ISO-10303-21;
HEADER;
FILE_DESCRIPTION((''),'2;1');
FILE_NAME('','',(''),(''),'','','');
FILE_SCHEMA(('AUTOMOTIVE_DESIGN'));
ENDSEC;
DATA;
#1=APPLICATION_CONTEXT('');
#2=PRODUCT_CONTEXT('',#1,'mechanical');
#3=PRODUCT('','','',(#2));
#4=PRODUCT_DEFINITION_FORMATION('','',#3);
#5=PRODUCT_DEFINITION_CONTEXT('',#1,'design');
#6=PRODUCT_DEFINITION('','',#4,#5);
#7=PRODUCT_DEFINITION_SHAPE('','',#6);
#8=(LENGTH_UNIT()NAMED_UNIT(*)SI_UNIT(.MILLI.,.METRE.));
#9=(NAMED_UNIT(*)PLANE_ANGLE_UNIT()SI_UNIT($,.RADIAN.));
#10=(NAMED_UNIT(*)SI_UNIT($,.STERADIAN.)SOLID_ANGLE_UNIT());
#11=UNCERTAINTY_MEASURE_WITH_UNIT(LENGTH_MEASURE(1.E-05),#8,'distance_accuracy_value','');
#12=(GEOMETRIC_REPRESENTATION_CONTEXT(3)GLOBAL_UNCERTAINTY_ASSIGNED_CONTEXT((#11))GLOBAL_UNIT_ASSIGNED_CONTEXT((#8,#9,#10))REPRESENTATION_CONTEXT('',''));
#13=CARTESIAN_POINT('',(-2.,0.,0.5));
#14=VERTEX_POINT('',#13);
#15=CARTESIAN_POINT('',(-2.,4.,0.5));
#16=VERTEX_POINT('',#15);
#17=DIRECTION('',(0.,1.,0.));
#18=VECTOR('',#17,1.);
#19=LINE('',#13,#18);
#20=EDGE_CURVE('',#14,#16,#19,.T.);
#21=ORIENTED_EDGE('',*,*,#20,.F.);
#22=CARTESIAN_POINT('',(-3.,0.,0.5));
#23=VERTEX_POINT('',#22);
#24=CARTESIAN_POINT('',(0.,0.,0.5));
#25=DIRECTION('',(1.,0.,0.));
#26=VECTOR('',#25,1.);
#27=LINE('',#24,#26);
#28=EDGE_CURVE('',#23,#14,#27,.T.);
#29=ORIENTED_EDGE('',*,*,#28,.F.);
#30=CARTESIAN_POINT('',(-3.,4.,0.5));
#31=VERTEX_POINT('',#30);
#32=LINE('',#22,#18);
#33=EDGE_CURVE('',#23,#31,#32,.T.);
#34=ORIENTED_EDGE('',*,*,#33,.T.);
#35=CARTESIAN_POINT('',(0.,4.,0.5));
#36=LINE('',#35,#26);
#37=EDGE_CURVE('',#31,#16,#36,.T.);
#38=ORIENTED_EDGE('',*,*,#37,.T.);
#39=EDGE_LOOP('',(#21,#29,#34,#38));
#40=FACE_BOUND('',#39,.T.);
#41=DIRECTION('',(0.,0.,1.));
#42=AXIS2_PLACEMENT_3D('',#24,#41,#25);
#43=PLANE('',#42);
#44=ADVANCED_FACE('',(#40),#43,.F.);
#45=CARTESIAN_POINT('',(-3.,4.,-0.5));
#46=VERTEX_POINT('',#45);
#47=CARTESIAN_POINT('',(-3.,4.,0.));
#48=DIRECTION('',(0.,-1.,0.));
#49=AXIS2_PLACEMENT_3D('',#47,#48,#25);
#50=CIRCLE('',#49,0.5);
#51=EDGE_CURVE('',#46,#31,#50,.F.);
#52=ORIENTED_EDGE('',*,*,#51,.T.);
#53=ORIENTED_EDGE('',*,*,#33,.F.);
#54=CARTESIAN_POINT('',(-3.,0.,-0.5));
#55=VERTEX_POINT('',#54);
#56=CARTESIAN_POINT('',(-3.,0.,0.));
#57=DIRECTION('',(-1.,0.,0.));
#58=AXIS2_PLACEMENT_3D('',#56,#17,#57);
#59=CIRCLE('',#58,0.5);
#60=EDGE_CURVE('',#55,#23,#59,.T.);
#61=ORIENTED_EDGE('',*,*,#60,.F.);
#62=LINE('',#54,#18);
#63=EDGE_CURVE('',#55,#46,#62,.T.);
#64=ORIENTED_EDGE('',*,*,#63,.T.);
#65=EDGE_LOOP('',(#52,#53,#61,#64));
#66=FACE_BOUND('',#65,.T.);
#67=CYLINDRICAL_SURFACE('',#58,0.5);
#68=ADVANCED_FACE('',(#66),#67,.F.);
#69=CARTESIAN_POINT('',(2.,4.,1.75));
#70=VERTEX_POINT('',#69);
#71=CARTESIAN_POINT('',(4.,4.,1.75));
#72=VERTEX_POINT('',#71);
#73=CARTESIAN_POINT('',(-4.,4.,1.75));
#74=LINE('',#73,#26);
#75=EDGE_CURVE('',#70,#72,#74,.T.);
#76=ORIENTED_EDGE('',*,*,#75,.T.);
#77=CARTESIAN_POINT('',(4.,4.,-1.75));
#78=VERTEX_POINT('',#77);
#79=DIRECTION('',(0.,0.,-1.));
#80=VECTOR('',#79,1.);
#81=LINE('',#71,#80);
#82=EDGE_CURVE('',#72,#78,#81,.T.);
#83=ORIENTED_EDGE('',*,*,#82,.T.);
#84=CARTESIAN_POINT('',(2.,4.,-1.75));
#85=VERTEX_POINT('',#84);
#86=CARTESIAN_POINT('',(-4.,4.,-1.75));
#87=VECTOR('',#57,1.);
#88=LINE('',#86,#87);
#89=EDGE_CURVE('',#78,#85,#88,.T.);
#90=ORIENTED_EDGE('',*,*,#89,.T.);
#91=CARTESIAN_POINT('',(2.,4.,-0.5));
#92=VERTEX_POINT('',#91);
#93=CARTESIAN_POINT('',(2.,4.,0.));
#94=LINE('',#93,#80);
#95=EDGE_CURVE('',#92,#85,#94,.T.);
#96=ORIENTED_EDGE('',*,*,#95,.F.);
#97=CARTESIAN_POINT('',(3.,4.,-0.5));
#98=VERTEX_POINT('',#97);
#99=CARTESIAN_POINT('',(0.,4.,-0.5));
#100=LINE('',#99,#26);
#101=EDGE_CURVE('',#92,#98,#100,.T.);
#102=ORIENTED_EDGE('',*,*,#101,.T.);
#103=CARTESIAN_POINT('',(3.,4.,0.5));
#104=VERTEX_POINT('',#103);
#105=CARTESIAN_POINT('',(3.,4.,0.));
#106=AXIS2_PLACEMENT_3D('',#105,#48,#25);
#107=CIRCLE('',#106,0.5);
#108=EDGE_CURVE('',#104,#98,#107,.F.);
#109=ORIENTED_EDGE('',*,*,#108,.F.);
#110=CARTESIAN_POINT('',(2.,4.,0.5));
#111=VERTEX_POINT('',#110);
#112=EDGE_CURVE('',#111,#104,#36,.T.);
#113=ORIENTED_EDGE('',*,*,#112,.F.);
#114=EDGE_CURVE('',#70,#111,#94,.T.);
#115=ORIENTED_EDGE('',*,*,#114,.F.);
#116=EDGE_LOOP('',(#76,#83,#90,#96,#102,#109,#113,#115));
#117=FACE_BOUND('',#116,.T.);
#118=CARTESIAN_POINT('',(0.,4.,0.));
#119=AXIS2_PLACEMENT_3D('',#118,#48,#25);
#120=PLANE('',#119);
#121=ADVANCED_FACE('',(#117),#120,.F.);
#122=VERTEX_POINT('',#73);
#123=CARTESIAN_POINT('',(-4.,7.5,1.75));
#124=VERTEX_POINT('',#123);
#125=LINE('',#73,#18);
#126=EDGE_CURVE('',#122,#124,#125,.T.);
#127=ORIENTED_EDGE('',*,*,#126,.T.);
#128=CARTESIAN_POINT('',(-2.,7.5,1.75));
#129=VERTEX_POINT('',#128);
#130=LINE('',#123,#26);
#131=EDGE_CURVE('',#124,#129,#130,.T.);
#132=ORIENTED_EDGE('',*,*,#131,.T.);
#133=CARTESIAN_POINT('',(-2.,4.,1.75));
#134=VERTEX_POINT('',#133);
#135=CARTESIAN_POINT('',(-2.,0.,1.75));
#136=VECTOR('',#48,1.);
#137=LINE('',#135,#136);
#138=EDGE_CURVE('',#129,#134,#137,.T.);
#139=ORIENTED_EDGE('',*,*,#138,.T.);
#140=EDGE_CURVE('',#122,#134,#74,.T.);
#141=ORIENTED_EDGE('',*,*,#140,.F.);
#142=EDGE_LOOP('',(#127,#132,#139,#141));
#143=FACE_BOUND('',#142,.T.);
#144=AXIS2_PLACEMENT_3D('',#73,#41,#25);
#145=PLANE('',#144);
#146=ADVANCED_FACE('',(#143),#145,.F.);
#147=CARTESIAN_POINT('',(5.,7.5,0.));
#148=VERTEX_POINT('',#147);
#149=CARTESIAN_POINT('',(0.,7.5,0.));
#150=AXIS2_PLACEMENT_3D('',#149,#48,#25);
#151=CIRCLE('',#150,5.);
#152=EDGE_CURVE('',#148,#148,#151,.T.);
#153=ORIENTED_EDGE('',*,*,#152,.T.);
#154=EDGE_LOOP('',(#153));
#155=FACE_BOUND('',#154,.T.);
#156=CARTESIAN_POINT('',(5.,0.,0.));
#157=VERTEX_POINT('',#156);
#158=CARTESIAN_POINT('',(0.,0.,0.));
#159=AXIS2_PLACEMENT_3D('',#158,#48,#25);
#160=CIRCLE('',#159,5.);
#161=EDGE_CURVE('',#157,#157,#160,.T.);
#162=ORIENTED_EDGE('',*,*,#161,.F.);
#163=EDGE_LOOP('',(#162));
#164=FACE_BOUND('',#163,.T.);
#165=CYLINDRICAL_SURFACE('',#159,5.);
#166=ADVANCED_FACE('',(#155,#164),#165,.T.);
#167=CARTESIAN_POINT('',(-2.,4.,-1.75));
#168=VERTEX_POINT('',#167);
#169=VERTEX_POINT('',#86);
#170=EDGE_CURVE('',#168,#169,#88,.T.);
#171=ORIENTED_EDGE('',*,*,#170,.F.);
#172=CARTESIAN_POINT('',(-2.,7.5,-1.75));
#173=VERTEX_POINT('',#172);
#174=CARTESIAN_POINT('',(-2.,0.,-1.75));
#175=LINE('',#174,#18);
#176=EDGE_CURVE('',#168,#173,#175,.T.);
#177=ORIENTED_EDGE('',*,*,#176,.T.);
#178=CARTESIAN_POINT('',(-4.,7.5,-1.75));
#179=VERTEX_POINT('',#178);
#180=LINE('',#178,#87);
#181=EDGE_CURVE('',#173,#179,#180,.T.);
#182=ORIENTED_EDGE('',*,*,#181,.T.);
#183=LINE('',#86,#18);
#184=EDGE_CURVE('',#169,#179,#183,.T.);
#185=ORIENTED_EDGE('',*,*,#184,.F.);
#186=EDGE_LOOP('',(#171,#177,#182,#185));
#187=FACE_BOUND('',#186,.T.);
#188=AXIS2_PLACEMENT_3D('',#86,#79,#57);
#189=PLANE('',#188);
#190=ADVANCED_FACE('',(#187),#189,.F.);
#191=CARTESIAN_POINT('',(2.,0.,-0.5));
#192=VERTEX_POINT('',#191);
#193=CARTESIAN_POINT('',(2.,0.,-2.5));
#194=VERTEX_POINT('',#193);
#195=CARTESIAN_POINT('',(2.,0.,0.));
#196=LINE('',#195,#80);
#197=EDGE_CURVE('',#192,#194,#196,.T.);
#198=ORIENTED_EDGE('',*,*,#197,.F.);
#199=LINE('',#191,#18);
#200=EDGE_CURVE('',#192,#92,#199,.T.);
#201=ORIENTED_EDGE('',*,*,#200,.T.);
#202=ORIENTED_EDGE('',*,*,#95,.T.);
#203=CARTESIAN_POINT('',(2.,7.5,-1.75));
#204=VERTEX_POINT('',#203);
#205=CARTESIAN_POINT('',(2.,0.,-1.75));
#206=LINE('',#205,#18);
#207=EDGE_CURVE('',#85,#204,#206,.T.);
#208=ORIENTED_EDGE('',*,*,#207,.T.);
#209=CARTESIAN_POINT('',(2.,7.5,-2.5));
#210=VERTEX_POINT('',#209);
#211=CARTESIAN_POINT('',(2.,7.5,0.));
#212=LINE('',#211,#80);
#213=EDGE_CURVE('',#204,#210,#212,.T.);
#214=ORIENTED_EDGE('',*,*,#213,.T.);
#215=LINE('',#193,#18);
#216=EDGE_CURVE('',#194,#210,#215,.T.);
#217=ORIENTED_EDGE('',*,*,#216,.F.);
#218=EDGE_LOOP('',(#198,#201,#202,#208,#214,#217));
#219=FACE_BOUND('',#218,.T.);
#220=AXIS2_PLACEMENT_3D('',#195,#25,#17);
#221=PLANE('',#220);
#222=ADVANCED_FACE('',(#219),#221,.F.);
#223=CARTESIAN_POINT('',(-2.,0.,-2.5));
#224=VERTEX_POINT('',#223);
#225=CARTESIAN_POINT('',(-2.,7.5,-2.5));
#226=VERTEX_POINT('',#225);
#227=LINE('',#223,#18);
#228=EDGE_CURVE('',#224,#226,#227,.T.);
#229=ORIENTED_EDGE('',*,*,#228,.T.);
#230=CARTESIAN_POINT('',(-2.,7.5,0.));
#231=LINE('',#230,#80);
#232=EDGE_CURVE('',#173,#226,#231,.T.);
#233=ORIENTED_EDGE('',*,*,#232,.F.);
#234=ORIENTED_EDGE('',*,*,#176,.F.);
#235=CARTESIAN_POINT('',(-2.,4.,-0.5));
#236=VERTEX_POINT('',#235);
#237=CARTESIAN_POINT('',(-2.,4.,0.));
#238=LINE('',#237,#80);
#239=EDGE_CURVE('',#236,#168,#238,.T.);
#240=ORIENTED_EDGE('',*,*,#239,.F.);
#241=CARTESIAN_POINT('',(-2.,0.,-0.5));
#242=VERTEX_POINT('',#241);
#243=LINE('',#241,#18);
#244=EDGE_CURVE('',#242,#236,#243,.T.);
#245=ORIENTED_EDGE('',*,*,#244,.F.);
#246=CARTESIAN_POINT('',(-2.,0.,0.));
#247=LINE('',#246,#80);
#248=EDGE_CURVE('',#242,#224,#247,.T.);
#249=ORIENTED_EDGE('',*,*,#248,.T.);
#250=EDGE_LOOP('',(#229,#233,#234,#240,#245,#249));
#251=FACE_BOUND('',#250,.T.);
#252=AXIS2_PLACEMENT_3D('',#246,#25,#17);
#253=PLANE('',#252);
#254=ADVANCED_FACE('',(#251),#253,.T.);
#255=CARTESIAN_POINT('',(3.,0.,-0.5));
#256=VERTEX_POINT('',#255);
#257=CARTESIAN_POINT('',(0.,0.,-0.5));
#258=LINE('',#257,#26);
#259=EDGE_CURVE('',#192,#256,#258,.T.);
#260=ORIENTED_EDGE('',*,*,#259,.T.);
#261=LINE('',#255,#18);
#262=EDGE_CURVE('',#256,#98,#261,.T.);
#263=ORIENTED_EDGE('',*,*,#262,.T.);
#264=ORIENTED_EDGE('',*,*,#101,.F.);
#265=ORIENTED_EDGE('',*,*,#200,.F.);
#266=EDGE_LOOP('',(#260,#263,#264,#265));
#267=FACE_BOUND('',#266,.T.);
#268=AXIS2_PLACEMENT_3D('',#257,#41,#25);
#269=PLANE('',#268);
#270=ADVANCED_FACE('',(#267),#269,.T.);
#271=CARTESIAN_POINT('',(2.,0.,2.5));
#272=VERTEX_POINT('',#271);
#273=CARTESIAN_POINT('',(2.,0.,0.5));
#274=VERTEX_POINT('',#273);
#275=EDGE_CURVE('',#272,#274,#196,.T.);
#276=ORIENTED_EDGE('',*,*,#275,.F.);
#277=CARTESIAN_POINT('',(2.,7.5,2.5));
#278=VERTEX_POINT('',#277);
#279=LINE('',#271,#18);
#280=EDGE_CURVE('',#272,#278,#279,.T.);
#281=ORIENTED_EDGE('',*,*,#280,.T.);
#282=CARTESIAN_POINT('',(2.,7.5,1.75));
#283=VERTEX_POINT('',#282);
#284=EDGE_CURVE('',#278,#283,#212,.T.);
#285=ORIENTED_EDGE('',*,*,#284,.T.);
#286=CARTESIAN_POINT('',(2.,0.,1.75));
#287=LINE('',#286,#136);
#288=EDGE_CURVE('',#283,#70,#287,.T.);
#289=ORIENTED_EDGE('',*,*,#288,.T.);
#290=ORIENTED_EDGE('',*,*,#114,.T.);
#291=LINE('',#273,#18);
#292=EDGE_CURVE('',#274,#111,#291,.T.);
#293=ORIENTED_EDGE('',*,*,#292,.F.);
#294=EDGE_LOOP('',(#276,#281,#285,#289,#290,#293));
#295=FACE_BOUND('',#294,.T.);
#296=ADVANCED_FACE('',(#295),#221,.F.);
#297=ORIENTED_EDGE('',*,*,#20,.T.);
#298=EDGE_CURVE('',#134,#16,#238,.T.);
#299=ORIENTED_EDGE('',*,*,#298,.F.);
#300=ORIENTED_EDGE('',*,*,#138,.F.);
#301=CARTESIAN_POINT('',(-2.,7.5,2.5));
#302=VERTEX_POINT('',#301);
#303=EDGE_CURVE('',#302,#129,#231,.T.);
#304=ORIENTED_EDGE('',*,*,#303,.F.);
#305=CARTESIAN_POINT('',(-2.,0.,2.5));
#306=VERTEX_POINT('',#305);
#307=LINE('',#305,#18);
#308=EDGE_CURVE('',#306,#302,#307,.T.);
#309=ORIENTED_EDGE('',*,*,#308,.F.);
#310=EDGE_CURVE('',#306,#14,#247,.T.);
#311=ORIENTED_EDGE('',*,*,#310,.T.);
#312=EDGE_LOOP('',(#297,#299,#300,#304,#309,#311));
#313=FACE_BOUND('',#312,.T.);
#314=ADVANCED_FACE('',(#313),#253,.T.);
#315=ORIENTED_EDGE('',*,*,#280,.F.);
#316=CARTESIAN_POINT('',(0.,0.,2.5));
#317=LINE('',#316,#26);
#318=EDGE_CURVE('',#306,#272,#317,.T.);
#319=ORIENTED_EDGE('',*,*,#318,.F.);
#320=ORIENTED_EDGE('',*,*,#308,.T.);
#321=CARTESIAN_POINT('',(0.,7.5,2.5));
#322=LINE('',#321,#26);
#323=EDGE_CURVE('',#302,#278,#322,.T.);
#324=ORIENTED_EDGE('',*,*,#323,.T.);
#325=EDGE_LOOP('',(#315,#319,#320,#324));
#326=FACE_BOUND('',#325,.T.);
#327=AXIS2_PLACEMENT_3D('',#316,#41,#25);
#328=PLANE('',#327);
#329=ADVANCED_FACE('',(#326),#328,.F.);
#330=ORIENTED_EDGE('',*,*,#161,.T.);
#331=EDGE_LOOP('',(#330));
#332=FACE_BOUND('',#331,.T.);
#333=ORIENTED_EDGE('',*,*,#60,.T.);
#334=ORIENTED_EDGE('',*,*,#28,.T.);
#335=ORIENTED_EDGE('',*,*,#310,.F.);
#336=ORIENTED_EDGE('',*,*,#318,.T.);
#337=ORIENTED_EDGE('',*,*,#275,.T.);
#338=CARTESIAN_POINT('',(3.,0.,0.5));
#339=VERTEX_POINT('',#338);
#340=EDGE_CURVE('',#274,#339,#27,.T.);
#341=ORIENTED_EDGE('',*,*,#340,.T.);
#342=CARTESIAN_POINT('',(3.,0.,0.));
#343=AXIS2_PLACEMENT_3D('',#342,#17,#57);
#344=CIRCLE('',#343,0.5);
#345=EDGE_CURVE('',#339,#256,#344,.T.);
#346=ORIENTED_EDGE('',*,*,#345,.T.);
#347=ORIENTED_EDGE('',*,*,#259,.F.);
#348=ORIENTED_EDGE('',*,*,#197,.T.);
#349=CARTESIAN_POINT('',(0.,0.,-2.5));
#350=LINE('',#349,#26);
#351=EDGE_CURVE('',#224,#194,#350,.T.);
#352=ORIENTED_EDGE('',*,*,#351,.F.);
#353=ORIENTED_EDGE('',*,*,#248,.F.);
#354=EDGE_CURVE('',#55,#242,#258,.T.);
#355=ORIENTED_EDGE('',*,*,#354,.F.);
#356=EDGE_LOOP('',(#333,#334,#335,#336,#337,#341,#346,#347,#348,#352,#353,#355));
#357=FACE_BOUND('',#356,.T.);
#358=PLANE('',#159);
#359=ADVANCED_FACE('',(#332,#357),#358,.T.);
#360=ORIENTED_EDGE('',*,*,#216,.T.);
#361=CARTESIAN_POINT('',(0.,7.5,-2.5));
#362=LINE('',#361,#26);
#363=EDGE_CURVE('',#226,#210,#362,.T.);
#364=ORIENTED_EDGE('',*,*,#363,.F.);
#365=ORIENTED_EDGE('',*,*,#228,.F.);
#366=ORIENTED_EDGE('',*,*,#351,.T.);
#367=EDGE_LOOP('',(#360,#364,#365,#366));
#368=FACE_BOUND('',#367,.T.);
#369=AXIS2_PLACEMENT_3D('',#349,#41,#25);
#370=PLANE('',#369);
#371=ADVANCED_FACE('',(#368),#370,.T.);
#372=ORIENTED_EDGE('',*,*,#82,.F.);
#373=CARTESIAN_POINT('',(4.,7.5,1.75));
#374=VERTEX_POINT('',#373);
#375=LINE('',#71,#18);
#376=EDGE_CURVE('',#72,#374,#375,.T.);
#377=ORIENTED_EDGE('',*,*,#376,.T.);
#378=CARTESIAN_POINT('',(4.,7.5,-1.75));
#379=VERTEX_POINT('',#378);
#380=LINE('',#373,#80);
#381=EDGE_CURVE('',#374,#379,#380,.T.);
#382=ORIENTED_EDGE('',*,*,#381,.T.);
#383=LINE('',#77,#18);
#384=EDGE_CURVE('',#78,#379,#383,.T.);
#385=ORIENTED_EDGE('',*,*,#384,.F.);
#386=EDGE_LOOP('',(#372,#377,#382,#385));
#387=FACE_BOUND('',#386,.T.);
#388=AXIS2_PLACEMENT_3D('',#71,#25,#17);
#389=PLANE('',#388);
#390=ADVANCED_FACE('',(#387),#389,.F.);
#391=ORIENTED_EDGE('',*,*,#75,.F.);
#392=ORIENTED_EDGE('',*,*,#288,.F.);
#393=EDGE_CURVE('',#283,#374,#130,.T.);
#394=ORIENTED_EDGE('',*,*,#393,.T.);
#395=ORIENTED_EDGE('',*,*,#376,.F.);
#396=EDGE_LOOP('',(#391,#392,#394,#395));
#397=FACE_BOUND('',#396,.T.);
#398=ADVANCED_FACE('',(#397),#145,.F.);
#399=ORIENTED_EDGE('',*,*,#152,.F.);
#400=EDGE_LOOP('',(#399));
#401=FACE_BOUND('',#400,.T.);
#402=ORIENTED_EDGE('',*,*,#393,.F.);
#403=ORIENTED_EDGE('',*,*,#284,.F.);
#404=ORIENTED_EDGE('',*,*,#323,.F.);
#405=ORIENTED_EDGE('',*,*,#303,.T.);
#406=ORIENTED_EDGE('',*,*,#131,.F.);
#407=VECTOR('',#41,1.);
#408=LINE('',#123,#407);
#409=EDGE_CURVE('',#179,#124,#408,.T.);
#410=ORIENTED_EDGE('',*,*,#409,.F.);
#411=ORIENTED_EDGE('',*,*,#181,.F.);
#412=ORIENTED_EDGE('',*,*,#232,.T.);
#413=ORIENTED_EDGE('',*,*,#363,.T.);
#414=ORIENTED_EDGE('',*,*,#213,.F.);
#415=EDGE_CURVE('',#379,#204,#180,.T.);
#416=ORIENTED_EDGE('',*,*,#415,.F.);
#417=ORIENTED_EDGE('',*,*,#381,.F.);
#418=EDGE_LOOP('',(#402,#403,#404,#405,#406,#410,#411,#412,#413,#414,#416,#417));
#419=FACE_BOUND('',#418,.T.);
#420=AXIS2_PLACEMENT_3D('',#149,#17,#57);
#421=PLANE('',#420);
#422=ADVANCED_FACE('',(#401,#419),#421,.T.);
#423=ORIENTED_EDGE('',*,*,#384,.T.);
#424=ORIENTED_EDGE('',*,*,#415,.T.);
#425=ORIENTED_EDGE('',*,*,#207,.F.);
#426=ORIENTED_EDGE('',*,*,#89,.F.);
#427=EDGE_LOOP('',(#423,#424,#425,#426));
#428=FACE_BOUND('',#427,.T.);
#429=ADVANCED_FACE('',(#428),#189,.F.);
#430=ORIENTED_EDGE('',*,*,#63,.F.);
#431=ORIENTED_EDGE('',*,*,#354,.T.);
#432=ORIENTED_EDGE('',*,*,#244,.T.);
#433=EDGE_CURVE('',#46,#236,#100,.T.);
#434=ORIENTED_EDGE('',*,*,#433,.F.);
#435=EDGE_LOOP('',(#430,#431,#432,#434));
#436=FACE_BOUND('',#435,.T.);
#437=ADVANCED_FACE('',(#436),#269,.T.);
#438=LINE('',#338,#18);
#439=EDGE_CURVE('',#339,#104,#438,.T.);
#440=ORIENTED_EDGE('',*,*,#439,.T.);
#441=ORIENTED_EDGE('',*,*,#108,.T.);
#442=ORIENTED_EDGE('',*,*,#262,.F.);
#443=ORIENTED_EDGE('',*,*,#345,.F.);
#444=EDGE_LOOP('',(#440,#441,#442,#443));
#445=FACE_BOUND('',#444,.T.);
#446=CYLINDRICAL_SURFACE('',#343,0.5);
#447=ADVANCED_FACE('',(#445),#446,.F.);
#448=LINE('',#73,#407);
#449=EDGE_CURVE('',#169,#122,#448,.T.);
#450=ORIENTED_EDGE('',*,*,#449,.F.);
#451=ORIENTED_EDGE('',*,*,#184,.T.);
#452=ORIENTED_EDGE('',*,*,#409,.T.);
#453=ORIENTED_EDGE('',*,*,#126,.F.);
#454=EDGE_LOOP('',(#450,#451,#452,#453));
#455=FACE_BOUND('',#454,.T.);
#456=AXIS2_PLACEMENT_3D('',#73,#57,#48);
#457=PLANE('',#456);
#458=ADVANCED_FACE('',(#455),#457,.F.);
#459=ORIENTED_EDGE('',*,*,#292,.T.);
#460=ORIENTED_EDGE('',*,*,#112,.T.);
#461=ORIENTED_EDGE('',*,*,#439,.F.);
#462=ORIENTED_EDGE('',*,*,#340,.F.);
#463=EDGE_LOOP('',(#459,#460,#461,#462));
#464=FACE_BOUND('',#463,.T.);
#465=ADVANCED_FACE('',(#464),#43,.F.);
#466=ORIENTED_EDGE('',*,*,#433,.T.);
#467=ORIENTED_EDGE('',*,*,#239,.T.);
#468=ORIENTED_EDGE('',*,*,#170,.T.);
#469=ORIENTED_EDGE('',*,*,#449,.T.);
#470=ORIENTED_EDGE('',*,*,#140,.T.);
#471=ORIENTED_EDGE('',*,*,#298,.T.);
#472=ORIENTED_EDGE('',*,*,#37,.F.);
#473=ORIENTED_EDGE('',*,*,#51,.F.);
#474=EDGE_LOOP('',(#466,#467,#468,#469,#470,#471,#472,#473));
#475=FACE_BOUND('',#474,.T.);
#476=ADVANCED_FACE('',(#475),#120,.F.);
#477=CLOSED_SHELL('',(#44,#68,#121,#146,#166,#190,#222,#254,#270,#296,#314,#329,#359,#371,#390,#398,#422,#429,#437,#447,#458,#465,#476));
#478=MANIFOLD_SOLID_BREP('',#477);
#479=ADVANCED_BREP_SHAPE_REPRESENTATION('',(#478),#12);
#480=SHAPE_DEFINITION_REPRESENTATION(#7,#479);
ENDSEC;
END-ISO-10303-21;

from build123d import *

# Parameters (mm, degrees)
CROQUIS1_W            = 5
CROQUIS1_H            = 7.5
CROQUIS2_R            = 0.5
CROQUIS2_W            = 4
CROQUIS2_H            = 1
CROQUIS2_H_2          = 2
CORTAR_EXTRUIR1_DEPTH = 8.5
CROQUIS3_W            = 8
CROQUIS3_H            = 3.5
CORTAR_EXTRUIR2_DEPTH = 3.5


with BuildPart() as part:
    # Croquis1 → Revolución1 (revolve)
    with BuildSketch(Plane.XY):
        with Locations((2.5, 3.75)):
            Rectangle(CROQUIS1_W, CROQUIS1_H)
    revolve(axis=Axis((0, 0, 0), (0, 1, 0)))

    # Croquis2 → Cortar-Extruir1 (cut, through all)
    with BuildSketch(Plane(origin=(0, 7.5, 0), x_dir=(1, 0, 0), z_dir=(0, 1, 0))):
        with Locations((-3, 0)):
            Circle(CROQUIS2_R)
        with BuildLine():
            Line((-2, 0.5), (-3, 0.5))
            ThreePointArc((-3, 0.5), (-2.646446609, 0.353553391), (-2.5, 0))
            ThreePointArc((-2.5, 0), (-2.646446609, -0.353553391), (-3, -0.5))
            Line((-3, -0.5), (-2, -0.5))
            Line((-2, -0.5), (-2, 0.5))
        make_face()
        Rectangle(CROQUIS2_W, CROQUIS2_H)
        with Locations((0, 1.5)):
            Rectangle(CROQUIS2_W, CROQUIS2_H_2)
        with Locations((0, -1.5)):
            Rectangle(CROQUIS2_W, CROQUIS2_H_2)
        with BuildLine():
            Line((3, 0.5), (2, 0.5))
            Line((2, 0.5), (2, -0.5))
            Line((2, -0.5), (3, -0.5))
            ThreePointArc((3, -0.5), (2.5, 0), (3, 0.5))
        make_face()
        with Locations((3, 0)):
            Circle(CROQUIS2_R)
    extrude(amount=-CORTAR_EXTRUIR1_DEPTH, mode=Mode.SUBTRACT)

    # Croquis3 → Cortar-Extruir2 (cut)
    with BuildSketch(Plane(origin=(0, 7.5, 0), x_dir=(1, 0, 0), z_dir=(0, 1, 0))):
        Rectangle(CROQUIS3_W, CROQUIS3_H)
    extrude(amount=-CORTAR_EXTRUIR2_DEPTH, mode=Mode.SUBTRACT)


solid = part.part
